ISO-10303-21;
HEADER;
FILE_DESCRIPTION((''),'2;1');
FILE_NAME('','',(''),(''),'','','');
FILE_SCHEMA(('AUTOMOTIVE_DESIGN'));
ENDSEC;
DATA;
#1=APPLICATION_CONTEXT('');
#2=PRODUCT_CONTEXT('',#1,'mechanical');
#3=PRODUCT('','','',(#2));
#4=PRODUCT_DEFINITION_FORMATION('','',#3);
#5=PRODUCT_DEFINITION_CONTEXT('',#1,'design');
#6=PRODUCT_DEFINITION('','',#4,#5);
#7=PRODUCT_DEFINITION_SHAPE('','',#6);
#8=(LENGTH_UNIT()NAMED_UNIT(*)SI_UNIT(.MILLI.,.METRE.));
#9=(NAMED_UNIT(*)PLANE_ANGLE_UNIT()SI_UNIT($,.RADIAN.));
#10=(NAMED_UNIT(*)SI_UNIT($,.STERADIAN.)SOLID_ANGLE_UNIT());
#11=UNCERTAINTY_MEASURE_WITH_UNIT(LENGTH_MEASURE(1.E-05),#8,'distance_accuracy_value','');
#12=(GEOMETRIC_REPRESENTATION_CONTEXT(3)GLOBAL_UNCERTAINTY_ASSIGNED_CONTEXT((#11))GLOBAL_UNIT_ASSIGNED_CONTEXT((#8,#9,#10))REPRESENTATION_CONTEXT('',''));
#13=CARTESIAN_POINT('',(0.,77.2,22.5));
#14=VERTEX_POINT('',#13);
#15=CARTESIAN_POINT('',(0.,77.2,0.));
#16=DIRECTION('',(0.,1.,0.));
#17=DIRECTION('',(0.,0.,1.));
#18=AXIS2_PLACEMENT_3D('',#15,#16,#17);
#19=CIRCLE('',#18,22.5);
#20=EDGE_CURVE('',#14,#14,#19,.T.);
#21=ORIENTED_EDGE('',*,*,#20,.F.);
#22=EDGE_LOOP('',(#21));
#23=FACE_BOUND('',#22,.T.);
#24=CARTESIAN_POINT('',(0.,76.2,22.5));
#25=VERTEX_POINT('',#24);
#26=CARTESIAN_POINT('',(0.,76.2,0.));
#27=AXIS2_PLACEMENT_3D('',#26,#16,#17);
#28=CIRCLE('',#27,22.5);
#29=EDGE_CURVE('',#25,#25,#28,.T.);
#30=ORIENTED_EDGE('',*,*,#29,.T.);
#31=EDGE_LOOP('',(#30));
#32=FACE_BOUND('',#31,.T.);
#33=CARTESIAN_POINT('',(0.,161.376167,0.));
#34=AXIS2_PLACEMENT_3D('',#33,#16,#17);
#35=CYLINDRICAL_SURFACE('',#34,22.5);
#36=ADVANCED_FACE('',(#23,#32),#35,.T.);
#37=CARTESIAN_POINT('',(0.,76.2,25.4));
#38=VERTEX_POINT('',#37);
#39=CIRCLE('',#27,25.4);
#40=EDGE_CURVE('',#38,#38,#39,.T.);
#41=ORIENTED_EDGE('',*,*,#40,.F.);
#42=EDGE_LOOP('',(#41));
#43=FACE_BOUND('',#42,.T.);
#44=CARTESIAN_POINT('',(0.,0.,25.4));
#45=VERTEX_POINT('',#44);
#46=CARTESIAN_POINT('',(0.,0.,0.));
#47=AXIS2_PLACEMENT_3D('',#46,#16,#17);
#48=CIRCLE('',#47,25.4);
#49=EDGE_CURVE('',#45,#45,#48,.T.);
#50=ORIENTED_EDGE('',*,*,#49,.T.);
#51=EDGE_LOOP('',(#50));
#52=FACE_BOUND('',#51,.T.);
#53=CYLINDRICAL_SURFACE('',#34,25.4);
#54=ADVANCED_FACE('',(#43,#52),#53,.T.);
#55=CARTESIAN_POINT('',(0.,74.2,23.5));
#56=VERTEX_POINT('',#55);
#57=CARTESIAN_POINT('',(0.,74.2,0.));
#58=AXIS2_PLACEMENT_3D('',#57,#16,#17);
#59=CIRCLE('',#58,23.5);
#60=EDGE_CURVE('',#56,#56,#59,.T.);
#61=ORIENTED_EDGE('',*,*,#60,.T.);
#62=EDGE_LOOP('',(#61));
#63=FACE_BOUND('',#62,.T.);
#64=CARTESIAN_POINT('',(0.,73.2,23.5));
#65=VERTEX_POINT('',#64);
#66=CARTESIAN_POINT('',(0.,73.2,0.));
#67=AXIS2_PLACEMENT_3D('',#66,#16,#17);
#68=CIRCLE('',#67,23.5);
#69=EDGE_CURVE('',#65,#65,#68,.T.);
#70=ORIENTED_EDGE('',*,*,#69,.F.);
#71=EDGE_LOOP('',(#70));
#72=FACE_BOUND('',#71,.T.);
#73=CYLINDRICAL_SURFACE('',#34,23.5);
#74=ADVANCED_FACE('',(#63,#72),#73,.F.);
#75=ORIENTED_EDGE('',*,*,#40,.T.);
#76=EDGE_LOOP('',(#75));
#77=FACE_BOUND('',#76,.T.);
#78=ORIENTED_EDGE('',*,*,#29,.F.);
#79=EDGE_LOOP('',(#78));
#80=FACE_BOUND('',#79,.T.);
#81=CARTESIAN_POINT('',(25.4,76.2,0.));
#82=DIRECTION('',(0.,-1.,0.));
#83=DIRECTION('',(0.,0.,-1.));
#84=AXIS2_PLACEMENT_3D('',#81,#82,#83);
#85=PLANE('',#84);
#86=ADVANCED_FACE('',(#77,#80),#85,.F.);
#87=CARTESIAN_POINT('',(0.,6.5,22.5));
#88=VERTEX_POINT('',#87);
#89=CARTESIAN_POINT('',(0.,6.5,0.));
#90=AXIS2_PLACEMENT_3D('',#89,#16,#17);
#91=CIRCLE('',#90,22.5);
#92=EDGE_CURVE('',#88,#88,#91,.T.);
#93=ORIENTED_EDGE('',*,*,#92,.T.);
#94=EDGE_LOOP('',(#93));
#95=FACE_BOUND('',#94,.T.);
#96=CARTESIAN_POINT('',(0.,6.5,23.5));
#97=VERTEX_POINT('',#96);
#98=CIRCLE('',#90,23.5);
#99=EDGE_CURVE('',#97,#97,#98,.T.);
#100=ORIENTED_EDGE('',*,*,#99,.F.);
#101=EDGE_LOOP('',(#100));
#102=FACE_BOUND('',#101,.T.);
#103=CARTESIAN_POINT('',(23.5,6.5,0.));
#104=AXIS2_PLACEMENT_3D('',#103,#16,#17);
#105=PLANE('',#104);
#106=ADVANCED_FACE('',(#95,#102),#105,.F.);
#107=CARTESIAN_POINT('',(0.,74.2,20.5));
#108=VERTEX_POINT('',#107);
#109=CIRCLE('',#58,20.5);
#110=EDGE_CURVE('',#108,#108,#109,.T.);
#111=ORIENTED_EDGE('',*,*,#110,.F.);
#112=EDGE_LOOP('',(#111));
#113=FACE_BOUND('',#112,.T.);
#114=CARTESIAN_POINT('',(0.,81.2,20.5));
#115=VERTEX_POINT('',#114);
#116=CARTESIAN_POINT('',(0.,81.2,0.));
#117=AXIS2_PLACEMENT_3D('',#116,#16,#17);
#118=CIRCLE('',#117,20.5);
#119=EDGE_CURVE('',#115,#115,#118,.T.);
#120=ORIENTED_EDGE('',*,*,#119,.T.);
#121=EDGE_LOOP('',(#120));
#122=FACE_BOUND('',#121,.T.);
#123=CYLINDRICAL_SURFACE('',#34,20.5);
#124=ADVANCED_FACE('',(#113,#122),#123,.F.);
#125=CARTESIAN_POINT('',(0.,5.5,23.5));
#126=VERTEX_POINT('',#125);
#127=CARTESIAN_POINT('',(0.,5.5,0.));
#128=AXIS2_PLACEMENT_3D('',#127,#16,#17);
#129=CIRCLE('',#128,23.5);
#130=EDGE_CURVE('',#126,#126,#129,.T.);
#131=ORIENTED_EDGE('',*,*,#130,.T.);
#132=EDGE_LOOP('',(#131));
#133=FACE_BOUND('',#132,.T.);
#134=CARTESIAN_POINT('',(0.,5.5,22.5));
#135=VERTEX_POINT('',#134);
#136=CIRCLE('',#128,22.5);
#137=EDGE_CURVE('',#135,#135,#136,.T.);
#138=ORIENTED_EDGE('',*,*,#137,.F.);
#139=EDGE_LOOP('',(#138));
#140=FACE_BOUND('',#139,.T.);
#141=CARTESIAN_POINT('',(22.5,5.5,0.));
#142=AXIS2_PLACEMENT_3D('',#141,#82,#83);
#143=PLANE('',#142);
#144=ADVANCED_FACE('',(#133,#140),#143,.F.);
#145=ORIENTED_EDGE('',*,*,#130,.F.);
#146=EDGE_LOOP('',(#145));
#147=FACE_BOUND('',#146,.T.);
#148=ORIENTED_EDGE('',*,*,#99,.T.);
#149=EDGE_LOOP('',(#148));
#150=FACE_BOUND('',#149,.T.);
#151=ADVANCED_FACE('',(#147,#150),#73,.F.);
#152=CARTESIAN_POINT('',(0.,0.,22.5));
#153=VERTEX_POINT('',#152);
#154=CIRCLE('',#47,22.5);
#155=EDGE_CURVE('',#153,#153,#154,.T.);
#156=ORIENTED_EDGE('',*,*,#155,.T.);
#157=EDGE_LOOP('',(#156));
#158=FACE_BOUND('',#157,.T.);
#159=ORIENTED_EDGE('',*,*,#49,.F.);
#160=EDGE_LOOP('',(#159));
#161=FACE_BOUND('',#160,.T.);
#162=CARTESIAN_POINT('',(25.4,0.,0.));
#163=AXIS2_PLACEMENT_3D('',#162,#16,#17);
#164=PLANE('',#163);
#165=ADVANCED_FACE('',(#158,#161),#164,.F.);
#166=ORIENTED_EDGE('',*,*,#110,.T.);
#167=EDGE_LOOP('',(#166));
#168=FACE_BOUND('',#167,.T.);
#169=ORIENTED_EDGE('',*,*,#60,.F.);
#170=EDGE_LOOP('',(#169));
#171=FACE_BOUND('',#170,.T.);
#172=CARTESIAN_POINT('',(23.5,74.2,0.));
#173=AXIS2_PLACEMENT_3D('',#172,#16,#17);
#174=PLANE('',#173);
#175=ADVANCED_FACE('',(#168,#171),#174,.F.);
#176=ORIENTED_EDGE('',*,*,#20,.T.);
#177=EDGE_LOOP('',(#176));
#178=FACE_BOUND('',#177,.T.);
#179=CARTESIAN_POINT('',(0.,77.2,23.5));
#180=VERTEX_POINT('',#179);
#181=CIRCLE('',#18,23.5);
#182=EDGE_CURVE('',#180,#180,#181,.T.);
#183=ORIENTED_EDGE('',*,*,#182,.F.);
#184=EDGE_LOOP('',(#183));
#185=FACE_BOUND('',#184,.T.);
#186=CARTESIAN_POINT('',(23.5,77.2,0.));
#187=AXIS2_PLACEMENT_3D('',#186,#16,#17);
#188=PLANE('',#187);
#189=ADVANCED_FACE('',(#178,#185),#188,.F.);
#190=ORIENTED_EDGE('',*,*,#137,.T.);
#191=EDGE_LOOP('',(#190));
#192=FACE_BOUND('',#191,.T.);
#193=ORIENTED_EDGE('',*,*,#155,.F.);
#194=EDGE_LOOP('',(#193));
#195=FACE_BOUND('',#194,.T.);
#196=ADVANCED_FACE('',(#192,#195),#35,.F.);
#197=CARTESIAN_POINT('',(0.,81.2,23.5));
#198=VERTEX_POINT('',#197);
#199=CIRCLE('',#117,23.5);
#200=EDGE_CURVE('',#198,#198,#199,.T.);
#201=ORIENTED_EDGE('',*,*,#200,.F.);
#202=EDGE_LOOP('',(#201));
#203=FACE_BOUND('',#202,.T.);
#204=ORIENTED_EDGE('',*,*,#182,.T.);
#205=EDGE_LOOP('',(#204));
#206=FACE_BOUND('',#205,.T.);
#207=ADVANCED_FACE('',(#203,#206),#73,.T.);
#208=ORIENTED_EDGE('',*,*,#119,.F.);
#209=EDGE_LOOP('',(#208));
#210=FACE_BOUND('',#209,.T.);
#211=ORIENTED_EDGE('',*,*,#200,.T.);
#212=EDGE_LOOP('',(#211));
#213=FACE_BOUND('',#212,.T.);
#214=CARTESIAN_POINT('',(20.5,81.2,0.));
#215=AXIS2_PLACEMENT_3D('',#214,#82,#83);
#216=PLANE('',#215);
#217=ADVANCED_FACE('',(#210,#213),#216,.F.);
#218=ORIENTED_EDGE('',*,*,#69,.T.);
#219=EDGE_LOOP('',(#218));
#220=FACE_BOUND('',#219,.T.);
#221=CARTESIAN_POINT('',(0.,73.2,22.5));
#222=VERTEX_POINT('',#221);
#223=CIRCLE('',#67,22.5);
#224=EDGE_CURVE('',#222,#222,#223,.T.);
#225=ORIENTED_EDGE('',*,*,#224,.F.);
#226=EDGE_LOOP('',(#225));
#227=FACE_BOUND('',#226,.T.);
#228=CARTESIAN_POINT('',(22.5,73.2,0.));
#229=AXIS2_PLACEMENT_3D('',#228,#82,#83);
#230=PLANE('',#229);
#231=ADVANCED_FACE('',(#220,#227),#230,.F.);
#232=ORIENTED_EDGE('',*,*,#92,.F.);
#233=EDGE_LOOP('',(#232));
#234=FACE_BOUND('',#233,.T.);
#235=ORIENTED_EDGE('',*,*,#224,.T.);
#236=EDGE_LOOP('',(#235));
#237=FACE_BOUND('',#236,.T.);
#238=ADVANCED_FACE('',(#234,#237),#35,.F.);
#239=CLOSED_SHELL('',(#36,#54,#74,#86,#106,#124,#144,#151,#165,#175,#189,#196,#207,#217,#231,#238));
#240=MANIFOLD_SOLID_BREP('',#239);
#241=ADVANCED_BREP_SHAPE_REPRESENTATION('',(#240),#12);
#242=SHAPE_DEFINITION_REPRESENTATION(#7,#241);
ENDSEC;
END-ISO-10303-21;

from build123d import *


with BuildPart() as part:
    # 草图1 → 旋转1 (revolve)
    with BuildSketch(Plane.XY, mode=Mode.PRIVATE) as revolve_1_sk:
        Polygon((22.5, 73.2), (23.5, 73.2), (23.5, 74.2), (20.5, 74.2), (20.5, 81.2), (23.5, 81.2), (23.5, 77.2), (22.5, 77.2), (22.5, 76.2), (23.5, 76.2), (25.4, 76.2), (25.4, 0), (22.5, 0), (22.5, 5.5), (23.5, 5.5), (23.5, 6.5), (22.5, 6.5), align=None)
    revolve(revolve_1_sk.sketch.rotate(Axis((0, 161.376166943, 0), (0, -1, 0)), 90), axis=Axis((0, 161.376166943, 0), (0, -1, 0)))  # turned: the seam where the file's is


solid = part.part
